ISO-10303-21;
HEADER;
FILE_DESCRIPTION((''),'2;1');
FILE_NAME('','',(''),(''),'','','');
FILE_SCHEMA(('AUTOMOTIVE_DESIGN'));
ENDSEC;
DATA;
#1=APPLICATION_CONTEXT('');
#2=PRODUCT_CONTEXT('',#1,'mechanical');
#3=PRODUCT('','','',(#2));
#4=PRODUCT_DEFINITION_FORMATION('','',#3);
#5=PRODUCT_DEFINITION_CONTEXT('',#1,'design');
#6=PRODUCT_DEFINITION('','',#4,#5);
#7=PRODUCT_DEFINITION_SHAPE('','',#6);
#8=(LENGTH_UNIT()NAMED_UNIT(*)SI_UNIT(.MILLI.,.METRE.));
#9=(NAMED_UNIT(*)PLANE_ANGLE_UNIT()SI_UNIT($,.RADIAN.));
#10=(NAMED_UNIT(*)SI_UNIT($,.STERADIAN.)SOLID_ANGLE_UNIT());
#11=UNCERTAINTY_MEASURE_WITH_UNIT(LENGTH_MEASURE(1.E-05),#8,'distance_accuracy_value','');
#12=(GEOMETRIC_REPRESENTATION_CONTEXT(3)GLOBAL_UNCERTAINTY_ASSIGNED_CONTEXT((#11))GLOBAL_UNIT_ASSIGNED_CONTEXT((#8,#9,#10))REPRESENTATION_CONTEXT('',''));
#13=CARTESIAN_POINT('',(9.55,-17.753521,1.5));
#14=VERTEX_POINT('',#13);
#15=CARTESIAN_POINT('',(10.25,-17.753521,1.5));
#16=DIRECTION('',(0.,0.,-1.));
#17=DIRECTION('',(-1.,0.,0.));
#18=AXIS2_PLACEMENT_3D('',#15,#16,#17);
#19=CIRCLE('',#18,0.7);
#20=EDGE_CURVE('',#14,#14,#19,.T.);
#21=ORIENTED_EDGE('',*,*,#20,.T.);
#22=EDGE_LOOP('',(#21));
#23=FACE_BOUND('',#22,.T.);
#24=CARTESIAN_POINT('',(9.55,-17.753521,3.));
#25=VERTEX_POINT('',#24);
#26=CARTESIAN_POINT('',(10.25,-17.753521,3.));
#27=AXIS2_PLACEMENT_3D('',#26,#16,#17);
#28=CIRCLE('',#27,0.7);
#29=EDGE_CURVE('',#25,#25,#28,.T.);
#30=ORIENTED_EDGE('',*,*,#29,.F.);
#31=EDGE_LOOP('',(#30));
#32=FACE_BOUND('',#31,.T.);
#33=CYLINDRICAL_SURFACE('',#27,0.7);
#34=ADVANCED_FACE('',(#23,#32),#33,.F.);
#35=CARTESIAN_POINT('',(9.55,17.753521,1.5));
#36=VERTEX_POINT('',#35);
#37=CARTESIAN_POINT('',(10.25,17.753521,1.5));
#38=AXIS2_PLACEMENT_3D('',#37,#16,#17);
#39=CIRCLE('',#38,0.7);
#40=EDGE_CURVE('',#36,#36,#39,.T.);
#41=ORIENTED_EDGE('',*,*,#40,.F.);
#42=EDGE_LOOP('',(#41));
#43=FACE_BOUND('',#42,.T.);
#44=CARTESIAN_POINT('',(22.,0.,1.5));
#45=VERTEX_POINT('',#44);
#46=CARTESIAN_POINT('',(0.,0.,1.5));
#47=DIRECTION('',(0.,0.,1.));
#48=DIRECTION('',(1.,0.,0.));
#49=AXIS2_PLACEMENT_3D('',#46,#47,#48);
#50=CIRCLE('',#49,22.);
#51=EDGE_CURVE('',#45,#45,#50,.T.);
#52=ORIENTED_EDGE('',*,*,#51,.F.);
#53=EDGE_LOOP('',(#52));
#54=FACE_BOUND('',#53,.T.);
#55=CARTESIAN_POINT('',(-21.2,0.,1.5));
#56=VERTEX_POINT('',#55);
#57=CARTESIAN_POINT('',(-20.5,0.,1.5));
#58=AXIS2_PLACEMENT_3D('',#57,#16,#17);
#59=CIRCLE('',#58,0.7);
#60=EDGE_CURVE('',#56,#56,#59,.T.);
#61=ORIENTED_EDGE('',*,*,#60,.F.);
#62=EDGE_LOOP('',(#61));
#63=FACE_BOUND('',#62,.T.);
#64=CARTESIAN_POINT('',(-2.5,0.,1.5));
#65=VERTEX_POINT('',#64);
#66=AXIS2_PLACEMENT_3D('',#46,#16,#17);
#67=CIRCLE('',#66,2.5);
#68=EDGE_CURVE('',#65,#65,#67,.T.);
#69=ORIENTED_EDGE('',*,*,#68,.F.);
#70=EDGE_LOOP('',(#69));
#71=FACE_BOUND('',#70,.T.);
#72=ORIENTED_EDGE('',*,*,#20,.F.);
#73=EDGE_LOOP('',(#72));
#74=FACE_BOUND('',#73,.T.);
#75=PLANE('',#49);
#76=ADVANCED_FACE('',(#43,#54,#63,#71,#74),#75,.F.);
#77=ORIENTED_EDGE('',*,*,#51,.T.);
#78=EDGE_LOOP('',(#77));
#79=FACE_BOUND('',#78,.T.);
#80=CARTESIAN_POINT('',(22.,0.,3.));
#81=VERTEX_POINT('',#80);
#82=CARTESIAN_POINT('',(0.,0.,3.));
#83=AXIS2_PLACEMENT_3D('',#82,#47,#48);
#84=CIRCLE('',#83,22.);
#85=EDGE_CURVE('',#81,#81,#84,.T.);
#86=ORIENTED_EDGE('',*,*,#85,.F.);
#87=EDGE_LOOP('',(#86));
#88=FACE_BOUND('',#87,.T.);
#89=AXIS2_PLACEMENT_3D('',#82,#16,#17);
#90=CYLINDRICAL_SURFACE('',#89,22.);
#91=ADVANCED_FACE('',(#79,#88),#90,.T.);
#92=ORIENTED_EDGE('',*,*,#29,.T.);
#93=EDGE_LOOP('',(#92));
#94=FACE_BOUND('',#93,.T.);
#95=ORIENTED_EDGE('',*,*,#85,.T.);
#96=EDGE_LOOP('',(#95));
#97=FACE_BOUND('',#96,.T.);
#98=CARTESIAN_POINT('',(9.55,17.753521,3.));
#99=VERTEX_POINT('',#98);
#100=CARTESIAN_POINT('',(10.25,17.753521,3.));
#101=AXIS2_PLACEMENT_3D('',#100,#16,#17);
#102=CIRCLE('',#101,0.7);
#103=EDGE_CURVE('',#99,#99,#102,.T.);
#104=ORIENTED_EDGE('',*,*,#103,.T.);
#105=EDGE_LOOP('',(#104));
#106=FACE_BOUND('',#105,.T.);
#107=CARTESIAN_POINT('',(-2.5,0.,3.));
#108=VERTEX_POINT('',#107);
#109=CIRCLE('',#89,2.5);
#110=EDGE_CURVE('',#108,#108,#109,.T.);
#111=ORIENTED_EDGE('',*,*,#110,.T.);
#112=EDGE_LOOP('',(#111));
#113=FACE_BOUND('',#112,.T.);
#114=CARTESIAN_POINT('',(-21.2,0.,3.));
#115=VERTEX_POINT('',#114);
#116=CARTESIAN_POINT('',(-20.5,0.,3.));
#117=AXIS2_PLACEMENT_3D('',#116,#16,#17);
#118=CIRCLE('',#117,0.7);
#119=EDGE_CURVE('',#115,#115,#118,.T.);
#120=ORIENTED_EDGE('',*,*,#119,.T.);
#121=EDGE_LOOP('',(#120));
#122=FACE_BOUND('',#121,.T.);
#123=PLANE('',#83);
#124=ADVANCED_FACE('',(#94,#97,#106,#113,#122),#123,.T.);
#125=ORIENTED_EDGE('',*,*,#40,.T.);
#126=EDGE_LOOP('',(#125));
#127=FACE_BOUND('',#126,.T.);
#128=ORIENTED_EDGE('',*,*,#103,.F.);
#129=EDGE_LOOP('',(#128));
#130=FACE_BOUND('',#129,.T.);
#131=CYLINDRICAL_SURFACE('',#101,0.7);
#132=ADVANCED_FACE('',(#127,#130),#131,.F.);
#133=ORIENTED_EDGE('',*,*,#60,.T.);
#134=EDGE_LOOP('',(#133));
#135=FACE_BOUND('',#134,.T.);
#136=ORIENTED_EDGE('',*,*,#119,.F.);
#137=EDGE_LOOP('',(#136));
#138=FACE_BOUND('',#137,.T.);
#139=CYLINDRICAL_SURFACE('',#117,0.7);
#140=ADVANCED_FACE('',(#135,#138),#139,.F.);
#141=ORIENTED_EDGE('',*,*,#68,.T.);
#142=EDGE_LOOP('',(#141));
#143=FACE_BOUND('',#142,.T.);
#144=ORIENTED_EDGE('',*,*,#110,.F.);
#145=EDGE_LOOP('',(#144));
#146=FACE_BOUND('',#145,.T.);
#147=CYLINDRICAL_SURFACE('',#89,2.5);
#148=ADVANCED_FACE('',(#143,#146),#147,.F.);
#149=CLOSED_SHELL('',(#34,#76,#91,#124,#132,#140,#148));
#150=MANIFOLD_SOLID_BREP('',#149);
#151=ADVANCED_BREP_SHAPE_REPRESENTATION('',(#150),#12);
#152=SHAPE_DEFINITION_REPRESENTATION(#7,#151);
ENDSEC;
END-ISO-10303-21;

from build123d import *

# Parameters (mm, degrees)
EXTRUDE_1_DEPTH     = 1.5
SKETCH_3_R          = 22
EXTRUDE_2_DEPTH     = 1.5
SKETCH_4_R          = 35.070526428
CUT_EXTRUDE_1_DEPTH = 1.5
SKETCH_5_R          = 0.7
CUT_EXTRUDE_2_DEPTH = 1.5
SKETCH_6_R          = 2.5
CUT_EXTRUDE_3_DEPTH = 1.5


with BuildPart() as part:
    # 草图2 → 凸台-拉伸1 (new body)
    with BuildSketch(Plane.XY):
        with BuildLine():
            Line((-6, -20.3), (6, -20.3))
            Line((6, -20.3), (7.479773249, -16.152182272))
            ThreePointArc((7.479773249, -16.152182272), (0, 17.8), (-7.479773249, -16.152182272))
            Line((-7.479773249, -16.152182272), (-6, -20.3))
        make_face()
    extrude(amount=EXTRUDE_1_DEPTH)

    # 草图3 → 凸台-拉伸2 (add)
    with BuildSketch(Plane.XY.offset(1.5)):
        Circle(SKETCH_3_R)
    extrude(amount=EXTRUDE_2_DEPTH)

    # 草图4 → 切除-拉伸1 (cut)
    with BuildSketch(Plane(origin=(0, 0, 0), x_dir=(-1, 0, 0), z_dir=(0, 0, -1))):
        Circle(SKETCH_4_R)
    extrude(amount=-CUT_EXTRUDE_1_DEPTH, mode=Mode.SUBTRACT)

    # 草图5 → 切除-拉伸2 (cut)
    with BuildSketch(Plane(origin=(0, 0, 1.5), x_dir=(-1, 0, 0), z_dir=(0, 0, -1))):
        with Locations((20.5, 0)):
            Circle(SKETCH_5_R)
        with Locations((-10.25, -17.753520778)):
            Circle(SKETCH_5_R)
        with Locations((-10.25, 17.753520778)):
            Circle(SKETCH_5_R)
    extrude(amount=-CUT_EXTRUDE_2_DEPTH, mode=Mode.SUBTRACT)

    # 草图6 → 切除-拉伸3 (cut)
    with BuildSketch(Plane(origin=(0, 0, 1.5), x_dir=(-1, 0, 0), z_dir=(0, 0, -1))):
        Circle(SKETCH_6_R)
    extrude(amount=-CUT_EXTRUDE_3_DEPTH, mode=Mode.SUBTRACT)


solid = part.part
